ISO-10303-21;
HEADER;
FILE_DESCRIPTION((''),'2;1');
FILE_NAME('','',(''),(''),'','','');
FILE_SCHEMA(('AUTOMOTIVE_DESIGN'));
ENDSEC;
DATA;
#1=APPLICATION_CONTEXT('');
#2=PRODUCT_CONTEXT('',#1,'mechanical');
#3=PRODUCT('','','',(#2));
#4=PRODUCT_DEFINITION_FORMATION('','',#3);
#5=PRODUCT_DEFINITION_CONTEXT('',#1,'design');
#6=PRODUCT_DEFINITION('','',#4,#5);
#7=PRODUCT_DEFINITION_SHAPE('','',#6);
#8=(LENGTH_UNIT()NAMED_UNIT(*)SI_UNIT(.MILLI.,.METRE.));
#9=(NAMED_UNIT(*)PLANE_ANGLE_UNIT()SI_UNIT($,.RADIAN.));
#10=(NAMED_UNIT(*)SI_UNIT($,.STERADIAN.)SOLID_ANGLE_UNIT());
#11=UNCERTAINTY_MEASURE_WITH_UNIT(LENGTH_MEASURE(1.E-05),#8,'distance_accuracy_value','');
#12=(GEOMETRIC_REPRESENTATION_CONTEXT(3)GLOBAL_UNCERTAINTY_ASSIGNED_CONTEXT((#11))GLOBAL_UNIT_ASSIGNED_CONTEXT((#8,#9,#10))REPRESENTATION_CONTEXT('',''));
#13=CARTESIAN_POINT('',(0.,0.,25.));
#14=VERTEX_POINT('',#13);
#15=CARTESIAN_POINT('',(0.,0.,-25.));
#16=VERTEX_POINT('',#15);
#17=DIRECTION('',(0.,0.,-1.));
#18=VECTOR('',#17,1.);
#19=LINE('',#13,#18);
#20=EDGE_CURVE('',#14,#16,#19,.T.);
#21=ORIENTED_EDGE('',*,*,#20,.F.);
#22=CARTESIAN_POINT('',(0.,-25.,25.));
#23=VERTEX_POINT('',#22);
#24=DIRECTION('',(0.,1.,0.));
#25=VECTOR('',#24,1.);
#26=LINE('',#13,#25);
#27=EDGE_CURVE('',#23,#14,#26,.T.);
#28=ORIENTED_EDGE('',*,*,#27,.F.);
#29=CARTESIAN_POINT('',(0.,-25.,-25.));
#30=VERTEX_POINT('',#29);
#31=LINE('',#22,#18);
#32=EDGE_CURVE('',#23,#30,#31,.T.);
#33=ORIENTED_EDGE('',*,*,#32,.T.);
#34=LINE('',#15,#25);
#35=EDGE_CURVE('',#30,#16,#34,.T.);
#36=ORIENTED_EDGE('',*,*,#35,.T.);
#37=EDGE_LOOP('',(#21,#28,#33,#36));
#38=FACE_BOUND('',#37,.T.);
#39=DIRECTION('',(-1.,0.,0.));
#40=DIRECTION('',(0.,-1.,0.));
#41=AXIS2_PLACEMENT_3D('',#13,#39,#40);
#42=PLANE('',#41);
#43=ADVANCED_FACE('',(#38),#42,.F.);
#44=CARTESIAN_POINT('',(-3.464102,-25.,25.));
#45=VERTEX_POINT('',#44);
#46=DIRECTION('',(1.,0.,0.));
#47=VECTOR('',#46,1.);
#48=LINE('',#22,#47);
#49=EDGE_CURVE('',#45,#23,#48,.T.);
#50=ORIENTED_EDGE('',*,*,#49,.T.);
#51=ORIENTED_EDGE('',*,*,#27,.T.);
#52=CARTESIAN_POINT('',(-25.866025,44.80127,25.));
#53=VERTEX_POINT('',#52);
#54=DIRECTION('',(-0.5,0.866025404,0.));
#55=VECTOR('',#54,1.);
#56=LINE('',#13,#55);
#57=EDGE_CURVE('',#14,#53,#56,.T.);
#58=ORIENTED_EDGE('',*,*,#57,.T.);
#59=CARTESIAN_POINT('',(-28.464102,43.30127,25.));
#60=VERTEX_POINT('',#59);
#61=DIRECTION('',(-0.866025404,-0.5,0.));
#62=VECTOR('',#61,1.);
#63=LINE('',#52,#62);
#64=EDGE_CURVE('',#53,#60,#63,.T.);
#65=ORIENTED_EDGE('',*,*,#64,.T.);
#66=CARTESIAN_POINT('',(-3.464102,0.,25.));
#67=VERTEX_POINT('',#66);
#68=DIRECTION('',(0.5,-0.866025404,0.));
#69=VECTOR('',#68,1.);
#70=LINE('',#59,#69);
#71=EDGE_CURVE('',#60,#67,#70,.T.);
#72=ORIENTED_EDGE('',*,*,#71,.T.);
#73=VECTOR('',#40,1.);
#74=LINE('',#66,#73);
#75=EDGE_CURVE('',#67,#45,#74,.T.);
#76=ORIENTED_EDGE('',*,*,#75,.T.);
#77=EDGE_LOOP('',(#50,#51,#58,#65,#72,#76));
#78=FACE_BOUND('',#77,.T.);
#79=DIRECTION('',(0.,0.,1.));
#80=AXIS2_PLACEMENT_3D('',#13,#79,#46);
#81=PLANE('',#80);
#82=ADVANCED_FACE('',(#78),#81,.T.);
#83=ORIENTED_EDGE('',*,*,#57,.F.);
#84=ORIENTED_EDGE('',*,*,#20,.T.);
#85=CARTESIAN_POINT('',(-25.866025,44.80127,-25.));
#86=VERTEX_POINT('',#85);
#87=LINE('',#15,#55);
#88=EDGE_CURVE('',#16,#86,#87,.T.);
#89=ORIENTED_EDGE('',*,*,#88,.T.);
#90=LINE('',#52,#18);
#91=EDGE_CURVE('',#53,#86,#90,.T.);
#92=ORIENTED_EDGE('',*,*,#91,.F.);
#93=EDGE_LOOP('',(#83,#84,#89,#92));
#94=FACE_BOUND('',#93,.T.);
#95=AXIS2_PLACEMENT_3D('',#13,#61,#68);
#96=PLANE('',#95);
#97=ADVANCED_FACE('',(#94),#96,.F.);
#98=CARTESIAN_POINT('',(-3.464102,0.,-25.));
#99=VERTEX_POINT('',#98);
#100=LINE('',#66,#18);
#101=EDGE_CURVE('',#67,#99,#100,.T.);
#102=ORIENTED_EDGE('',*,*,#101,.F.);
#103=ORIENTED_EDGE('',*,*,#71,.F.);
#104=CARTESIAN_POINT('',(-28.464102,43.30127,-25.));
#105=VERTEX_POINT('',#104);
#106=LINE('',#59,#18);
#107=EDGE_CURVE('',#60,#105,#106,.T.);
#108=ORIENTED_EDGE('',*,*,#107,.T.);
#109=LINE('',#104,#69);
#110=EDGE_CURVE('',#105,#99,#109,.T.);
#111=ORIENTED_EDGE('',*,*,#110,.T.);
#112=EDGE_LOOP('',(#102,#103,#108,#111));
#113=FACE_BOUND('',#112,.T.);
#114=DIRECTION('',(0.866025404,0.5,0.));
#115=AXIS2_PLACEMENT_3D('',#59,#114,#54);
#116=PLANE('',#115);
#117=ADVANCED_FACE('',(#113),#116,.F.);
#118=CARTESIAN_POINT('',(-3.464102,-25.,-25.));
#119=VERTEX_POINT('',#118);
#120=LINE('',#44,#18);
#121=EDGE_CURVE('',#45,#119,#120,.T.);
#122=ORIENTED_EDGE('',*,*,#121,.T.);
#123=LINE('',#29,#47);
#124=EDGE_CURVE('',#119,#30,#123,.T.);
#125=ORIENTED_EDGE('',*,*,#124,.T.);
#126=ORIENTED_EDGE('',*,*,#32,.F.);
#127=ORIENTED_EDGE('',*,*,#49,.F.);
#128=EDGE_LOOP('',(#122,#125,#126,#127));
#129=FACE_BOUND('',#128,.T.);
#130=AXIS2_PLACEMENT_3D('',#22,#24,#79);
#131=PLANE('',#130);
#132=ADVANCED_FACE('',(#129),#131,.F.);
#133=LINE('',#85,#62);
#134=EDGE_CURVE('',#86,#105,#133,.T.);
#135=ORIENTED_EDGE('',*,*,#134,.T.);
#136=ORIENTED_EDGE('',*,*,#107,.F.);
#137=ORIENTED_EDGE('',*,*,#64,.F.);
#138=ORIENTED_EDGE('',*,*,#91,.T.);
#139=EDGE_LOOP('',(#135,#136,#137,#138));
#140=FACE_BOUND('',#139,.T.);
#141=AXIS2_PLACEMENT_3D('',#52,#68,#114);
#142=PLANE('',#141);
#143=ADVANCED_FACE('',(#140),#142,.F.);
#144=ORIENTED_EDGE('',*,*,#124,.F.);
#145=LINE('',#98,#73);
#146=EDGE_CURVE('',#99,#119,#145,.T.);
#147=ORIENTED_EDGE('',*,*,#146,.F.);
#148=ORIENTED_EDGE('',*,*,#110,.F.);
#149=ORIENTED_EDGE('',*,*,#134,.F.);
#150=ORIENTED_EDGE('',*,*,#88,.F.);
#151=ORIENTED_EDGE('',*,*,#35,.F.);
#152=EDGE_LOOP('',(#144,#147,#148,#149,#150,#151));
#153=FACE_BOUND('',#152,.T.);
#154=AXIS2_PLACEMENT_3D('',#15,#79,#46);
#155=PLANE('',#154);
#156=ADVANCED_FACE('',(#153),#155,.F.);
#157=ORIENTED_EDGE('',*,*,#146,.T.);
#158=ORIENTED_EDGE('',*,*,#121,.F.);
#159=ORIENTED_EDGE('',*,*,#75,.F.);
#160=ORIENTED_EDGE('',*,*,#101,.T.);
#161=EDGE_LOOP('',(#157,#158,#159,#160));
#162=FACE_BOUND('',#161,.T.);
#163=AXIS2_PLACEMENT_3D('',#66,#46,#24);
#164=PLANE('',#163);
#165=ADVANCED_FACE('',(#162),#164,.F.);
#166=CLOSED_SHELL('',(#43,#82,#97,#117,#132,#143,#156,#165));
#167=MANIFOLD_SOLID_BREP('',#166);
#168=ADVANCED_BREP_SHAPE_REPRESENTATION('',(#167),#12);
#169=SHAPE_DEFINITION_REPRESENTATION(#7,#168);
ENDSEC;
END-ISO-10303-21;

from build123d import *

# Parameters (mm, degrees)
BOSS_EXTRUDE1_DEPTH = 25


with BuildPart() as part:
    # Sketch2 → Boss-Extrude1 (new body, symmetric)
    with BuildSketch(Plane.XY):
        Polygon((-28.464101615, 43.301270189), (-3.464101615, 0), (-3.464101615, -25), (0, -25), (0, 0), (-25.866025404, 44.801270189), align=None)
    extrude(amount=BOSS_EXTRUDE1_DEPTH, both=True)


solid = part.part
